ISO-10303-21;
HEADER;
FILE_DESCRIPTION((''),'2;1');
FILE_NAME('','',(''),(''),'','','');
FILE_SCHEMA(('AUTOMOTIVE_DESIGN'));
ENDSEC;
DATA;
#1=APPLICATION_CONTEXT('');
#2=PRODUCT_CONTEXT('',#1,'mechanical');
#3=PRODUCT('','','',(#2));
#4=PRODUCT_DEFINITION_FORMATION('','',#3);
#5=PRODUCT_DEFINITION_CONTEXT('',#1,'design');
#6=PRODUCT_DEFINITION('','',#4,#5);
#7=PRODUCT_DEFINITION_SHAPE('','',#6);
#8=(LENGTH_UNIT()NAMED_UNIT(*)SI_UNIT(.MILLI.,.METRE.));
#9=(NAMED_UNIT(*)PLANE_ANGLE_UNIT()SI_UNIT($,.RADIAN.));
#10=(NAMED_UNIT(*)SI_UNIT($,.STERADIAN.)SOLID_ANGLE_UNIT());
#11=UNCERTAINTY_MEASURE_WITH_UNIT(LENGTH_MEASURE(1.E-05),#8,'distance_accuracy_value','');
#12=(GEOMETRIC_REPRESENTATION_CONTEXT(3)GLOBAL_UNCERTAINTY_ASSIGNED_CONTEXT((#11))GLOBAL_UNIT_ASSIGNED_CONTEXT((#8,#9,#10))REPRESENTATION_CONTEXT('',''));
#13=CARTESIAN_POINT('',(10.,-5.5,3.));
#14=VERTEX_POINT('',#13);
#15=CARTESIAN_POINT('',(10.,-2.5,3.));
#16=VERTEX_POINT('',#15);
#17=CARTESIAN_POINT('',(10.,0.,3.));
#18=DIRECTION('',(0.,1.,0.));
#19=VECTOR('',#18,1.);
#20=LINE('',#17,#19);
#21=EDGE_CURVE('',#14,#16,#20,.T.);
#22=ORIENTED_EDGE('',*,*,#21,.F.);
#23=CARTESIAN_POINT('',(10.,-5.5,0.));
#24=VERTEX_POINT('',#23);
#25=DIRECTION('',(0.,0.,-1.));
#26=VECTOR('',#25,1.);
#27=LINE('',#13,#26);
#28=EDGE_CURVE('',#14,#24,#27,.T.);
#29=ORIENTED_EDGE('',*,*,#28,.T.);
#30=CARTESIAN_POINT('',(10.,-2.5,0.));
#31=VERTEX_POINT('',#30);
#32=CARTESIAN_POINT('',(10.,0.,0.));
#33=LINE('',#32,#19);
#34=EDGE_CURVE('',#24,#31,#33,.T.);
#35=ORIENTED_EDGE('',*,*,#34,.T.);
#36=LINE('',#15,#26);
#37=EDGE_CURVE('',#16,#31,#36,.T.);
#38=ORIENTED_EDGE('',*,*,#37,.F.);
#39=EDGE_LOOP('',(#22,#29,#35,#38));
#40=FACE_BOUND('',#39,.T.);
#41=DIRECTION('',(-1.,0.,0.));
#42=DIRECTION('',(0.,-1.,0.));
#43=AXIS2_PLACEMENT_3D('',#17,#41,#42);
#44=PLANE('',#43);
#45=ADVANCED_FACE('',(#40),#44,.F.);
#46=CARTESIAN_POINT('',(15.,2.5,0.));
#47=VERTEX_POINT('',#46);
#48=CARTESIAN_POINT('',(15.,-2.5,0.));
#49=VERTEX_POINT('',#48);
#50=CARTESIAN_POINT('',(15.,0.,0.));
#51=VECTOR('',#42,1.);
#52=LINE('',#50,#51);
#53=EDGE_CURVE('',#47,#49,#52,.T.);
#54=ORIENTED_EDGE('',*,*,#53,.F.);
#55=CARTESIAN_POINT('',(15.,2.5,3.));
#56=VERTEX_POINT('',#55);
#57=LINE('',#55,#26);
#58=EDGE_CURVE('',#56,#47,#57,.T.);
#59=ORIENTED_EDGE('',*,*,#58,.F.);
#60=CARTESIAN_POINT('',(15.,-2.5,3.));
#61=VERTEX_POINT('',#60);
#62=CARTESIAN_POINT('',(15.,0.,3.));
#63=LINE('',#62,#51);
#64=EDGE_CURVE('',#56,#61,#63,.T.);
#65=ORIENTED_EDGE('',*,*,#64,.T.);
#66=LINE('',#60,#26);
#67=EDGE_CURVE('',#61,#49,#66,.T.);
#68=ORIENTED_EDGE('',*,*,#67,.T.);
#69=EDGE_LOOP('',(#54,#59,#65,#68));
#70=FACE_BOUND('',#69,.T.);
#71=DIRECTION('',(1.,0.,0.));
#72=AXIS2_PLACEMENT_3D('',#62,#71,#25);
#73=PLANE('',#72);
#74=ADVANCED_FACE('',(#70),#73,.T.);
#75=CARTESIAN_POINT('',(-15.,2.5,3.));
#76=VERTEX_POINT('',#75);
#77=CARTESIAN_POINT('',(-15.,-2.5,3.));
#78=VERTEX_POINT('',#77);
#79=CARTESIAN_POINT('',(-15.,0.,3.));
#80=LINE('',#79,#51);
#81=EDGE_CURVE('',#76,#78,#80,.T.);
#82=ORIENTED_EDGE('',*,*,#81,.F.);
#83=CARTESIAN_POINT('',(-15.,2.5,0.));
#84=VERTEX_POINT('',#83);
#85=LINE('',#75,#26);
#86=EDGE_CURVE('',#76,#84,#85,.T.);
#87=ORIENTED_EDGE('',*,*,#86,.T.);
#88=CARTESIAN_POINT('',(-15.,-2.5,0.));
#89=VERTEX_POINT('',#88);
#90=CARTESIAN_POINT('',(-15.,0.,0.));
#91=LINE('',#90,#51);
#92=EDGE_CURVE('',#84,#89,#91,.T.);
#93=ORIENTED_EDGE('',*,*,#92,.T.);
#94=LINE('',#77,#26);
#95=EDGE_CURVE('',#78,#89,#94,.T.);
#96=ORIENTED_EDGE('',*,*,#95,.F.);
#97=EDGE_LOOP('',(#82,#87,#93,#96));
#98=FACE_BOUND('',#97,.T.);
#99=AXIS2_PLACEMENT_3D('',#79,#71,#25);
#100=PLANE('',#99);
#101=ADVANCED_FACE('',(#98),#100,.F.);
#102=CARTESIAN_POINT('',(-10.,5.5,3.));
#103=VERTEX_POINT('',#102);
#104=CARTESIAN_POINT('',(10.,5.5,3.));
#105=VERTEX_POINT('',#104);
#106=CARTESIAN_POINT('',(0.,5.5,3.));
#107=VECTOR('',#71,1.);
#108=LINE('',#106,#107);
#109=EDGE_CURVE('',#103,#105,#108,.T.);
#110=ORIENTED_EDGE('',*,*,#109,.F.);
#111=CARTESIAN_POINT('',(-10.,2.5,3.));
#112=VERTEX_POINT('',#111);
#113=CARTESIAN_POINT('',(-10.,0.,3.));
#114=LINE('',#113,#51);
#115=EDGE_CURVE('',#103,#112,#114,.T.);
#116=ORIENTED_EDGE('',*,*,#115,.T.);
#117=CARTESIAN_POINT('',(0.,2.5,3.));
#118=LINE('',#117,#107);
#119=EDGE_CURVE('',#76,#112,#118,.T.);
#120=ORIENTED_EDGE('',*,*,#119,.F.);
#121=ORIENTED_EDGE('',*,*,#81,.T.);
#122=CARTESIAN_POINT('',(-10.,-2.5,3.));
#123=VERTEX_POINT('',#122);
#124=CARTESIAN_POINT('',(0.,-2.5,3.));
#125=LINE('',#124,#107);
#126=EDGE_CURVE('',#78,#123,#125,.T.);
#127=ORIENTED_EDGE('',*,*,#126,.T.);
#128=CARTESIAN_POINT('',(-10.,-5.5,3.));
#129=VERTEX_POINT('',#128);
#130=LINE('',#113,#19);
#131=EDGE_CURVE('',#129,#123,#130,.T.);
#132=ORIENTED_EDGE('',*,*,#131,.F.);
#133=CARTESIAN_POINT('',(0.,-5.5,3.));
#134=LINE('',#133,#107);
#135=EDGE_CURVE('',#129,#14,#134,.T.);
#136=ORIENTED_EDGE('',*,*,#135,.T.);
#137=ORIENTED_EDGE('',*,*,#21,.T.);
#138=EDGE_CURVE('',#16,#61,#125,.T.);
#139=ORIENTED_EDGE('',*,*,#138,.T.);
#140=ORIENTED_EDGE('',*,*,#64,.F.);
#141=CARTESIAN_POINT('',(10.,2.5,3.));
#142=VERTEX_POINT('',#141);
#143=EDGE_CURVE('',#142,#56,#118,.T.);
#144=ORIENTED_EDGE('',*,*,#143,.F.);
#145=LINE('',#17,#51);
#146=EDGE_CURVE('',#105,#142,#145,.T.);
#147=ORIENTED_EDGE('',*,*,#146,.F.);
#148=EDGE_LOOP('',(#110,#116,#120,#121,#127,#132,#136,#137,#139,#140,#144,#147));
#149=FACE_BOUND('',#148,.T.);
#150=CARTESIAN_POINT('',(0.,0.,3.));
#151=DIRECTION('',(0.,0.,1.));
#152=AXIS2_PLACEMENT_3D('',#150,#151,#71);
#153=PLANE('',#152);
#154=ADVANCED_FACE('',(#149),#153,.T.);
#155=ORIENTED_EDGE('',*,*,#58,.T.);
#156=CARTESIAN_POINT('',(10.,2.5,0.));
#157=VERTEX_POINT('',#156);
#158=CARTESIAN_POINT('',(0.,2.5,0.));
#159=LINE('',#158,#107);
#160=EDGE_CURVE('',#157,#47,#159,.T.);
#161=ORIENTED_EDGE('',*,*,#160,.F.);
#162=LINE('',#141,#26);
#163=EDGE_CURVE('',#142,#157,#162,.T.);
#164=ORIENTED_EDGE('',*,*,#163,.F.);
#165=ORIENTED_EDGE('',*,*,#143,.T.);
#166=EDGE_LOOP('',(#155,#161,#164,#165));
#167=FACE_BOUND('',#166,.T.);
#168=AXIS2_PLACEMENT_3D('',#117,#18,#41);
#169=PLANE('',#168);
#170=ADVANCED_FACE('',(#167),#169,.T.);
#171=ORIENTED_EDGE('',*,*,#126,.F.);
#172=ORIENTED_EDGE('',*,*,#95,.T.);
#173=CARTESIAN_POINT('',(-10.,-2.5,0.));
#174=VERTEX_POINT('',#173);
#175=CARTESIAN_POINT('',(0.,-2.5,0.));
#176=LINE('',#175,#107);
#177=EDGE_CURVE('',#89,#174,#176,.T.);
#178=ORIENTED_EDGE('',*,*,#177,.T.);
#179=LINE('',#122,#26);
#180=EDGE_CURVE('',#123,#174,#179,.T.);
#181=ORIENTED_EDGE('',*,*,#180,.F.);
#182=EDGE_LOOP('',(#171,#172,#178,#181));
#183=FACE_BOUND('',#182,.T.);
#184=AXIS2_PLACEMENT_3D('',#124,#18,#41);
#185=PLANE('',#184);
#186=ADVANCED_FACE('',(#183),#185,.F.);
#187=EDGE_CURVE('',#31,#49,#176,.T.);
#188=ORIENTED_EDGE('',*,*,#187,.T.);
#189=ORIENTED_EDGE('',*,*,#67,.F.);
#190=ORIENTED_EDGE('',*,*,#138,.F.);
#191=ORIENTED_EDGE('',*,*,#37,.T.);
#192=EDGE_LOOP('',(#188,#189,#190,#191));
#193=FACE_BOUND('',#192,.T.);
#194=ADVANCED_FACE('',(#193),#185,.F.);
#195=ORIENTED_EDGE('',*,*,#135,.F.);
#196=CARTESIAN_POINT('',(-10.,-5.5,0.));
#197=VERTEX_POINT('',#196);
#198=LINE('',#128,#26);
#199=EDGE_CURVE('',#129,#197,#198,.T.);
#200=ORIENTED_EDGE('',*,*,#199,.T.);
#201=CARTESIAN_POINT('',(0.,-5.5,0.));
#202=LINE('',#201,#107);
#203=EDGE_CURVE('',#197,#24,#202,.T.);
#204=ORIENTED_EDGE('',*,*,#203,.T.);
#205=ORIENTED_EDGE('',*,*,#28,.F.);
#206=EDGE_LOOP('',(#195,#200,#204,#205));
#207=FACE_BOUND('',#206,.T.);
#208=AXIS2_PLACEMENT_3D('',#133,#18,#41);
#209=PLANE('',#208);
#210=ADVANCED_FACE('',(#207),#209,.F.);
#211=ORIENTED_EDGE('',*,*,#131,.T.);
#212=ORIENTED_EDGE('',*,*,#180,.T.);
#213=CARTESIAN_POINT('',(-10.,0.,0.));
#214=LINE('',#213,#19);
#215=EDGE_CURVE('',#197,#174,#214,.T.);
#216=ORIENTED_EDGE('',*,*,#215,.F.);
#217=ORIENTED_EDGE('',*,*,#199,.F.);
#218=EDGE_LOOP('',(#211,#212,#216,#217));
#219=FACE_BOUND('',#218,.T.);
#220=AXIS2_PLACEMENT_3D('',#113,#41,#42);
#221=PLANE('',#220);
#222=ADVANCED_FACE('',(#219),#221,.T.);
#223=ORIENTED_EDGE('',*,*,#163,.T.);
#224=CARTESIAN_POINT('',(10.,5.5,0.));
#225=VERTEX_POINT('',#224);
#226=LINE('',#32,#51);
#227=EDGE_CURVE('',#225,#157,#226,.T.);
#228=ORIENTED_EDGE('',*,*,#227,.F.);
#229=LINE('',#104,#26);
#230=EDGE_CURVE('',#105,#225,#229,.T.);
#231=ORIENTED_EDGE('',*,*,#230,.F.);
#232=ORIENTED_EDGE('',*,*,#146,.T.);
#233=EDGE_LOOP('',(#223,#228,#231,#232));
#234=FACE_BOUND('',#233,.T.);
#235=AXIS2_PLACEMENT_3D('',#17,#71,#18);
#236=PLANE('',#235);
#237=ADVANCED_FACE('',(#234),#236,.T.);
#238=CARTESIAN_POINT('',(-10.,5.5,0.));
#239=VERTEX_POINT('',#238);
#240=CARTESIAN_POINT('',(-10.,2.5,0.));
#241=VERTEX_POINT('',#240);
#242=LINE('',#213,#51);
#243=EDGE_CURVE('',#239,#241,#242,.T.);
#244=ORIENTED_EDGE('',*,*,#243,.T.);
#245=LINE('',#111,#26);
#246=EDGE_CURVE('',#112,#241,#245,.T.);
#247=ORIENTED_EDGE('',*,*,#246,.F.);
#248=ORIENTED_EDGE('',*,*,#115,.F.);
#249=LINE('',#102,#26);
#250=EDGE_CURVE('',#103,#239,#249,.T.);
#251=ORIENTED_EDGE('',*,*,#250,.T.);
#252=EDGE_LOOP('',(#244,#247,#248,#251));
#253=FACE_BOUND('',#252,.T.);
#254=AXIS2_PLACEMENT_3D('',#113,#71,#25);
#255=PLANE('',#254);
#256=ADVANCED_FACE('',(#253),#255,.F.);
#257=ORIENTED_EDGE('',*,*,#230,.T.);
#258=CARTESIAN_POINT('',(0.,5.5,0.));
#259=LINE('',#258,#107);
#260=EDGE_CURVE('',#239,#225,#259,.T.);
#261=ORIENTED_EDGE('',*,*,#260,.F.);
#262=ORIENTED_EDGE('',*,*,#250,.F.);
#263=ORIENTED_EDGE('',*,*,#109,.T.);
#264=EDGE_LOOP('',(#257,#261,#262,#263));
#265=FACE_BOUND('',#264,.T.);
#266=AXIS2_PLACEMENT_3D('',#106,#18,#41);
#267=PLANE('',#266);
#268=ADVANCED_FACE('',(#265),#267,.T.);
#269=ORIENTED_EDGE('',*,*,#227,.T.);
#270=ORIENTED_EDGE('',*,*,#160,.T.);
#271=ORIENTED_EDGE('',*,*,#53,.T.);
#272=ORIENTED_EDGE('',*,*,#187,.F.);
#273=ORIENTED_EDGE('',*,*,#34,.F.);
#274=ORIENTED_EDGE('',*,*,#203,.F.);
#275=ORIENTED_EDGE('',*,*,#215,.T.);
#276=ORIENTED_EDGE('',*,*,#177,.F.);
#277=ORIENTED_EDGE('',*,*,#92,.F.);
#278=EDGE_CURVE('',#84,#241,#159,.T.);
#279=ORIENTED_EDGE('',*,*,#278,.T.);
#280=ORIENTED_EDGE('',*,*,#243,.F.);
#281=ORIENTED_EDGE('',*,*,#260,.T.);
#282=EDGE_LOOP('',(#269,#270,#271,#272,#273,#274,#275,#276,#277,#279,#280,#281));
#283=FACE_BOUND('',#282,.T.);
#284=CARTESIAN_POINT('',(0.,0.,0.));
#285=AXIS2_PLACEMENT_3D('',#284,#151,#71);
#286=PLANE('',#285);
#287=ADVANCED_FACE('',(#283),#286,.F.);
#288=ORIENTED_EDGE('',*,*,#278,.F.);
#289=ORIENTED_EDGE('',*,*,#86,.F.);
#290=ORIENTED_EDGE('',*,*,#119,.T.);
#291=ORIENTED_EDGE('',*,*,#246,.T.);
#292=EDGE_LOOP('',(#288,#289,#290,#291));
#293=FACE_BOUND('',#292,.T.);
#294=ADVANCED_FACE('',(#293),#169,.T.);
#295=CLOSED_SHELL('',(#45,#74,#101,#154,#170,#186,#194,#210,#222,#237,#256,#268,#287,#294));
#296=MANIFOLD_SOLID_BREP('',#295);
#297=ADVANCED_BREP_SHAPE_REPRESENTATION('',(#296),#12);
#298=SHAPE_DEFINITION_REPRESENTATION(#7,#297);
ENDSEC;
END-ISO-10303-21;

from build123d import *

# Parameters (mm, degrees)
SKETCH_1_W      = 20
SKETCH_1_H      = 3
SKETCH_1_W_2    = 30
SKETCH_1_H_2    = 5
EXTRUDE_1_DEPTH = 3


with BuildPart() as part:
    # 草图1 → 凸台-拉伸1 (new body)
    with BuildSketch(Plane.XY):
        with Locations((0, 4)):
            Rectangle(SKETCH_1_W, SKETCH_1_H)
        Rectangle(SKETCH_1_W_2, SKETCH_1_H_2)
        with Locations((0, -4)):
            Rectangle(SKETCH_1_W, SKETCH_1_H)
    extrude(amount=EXTRUDE_1_DEPTH)


solid = part.part
